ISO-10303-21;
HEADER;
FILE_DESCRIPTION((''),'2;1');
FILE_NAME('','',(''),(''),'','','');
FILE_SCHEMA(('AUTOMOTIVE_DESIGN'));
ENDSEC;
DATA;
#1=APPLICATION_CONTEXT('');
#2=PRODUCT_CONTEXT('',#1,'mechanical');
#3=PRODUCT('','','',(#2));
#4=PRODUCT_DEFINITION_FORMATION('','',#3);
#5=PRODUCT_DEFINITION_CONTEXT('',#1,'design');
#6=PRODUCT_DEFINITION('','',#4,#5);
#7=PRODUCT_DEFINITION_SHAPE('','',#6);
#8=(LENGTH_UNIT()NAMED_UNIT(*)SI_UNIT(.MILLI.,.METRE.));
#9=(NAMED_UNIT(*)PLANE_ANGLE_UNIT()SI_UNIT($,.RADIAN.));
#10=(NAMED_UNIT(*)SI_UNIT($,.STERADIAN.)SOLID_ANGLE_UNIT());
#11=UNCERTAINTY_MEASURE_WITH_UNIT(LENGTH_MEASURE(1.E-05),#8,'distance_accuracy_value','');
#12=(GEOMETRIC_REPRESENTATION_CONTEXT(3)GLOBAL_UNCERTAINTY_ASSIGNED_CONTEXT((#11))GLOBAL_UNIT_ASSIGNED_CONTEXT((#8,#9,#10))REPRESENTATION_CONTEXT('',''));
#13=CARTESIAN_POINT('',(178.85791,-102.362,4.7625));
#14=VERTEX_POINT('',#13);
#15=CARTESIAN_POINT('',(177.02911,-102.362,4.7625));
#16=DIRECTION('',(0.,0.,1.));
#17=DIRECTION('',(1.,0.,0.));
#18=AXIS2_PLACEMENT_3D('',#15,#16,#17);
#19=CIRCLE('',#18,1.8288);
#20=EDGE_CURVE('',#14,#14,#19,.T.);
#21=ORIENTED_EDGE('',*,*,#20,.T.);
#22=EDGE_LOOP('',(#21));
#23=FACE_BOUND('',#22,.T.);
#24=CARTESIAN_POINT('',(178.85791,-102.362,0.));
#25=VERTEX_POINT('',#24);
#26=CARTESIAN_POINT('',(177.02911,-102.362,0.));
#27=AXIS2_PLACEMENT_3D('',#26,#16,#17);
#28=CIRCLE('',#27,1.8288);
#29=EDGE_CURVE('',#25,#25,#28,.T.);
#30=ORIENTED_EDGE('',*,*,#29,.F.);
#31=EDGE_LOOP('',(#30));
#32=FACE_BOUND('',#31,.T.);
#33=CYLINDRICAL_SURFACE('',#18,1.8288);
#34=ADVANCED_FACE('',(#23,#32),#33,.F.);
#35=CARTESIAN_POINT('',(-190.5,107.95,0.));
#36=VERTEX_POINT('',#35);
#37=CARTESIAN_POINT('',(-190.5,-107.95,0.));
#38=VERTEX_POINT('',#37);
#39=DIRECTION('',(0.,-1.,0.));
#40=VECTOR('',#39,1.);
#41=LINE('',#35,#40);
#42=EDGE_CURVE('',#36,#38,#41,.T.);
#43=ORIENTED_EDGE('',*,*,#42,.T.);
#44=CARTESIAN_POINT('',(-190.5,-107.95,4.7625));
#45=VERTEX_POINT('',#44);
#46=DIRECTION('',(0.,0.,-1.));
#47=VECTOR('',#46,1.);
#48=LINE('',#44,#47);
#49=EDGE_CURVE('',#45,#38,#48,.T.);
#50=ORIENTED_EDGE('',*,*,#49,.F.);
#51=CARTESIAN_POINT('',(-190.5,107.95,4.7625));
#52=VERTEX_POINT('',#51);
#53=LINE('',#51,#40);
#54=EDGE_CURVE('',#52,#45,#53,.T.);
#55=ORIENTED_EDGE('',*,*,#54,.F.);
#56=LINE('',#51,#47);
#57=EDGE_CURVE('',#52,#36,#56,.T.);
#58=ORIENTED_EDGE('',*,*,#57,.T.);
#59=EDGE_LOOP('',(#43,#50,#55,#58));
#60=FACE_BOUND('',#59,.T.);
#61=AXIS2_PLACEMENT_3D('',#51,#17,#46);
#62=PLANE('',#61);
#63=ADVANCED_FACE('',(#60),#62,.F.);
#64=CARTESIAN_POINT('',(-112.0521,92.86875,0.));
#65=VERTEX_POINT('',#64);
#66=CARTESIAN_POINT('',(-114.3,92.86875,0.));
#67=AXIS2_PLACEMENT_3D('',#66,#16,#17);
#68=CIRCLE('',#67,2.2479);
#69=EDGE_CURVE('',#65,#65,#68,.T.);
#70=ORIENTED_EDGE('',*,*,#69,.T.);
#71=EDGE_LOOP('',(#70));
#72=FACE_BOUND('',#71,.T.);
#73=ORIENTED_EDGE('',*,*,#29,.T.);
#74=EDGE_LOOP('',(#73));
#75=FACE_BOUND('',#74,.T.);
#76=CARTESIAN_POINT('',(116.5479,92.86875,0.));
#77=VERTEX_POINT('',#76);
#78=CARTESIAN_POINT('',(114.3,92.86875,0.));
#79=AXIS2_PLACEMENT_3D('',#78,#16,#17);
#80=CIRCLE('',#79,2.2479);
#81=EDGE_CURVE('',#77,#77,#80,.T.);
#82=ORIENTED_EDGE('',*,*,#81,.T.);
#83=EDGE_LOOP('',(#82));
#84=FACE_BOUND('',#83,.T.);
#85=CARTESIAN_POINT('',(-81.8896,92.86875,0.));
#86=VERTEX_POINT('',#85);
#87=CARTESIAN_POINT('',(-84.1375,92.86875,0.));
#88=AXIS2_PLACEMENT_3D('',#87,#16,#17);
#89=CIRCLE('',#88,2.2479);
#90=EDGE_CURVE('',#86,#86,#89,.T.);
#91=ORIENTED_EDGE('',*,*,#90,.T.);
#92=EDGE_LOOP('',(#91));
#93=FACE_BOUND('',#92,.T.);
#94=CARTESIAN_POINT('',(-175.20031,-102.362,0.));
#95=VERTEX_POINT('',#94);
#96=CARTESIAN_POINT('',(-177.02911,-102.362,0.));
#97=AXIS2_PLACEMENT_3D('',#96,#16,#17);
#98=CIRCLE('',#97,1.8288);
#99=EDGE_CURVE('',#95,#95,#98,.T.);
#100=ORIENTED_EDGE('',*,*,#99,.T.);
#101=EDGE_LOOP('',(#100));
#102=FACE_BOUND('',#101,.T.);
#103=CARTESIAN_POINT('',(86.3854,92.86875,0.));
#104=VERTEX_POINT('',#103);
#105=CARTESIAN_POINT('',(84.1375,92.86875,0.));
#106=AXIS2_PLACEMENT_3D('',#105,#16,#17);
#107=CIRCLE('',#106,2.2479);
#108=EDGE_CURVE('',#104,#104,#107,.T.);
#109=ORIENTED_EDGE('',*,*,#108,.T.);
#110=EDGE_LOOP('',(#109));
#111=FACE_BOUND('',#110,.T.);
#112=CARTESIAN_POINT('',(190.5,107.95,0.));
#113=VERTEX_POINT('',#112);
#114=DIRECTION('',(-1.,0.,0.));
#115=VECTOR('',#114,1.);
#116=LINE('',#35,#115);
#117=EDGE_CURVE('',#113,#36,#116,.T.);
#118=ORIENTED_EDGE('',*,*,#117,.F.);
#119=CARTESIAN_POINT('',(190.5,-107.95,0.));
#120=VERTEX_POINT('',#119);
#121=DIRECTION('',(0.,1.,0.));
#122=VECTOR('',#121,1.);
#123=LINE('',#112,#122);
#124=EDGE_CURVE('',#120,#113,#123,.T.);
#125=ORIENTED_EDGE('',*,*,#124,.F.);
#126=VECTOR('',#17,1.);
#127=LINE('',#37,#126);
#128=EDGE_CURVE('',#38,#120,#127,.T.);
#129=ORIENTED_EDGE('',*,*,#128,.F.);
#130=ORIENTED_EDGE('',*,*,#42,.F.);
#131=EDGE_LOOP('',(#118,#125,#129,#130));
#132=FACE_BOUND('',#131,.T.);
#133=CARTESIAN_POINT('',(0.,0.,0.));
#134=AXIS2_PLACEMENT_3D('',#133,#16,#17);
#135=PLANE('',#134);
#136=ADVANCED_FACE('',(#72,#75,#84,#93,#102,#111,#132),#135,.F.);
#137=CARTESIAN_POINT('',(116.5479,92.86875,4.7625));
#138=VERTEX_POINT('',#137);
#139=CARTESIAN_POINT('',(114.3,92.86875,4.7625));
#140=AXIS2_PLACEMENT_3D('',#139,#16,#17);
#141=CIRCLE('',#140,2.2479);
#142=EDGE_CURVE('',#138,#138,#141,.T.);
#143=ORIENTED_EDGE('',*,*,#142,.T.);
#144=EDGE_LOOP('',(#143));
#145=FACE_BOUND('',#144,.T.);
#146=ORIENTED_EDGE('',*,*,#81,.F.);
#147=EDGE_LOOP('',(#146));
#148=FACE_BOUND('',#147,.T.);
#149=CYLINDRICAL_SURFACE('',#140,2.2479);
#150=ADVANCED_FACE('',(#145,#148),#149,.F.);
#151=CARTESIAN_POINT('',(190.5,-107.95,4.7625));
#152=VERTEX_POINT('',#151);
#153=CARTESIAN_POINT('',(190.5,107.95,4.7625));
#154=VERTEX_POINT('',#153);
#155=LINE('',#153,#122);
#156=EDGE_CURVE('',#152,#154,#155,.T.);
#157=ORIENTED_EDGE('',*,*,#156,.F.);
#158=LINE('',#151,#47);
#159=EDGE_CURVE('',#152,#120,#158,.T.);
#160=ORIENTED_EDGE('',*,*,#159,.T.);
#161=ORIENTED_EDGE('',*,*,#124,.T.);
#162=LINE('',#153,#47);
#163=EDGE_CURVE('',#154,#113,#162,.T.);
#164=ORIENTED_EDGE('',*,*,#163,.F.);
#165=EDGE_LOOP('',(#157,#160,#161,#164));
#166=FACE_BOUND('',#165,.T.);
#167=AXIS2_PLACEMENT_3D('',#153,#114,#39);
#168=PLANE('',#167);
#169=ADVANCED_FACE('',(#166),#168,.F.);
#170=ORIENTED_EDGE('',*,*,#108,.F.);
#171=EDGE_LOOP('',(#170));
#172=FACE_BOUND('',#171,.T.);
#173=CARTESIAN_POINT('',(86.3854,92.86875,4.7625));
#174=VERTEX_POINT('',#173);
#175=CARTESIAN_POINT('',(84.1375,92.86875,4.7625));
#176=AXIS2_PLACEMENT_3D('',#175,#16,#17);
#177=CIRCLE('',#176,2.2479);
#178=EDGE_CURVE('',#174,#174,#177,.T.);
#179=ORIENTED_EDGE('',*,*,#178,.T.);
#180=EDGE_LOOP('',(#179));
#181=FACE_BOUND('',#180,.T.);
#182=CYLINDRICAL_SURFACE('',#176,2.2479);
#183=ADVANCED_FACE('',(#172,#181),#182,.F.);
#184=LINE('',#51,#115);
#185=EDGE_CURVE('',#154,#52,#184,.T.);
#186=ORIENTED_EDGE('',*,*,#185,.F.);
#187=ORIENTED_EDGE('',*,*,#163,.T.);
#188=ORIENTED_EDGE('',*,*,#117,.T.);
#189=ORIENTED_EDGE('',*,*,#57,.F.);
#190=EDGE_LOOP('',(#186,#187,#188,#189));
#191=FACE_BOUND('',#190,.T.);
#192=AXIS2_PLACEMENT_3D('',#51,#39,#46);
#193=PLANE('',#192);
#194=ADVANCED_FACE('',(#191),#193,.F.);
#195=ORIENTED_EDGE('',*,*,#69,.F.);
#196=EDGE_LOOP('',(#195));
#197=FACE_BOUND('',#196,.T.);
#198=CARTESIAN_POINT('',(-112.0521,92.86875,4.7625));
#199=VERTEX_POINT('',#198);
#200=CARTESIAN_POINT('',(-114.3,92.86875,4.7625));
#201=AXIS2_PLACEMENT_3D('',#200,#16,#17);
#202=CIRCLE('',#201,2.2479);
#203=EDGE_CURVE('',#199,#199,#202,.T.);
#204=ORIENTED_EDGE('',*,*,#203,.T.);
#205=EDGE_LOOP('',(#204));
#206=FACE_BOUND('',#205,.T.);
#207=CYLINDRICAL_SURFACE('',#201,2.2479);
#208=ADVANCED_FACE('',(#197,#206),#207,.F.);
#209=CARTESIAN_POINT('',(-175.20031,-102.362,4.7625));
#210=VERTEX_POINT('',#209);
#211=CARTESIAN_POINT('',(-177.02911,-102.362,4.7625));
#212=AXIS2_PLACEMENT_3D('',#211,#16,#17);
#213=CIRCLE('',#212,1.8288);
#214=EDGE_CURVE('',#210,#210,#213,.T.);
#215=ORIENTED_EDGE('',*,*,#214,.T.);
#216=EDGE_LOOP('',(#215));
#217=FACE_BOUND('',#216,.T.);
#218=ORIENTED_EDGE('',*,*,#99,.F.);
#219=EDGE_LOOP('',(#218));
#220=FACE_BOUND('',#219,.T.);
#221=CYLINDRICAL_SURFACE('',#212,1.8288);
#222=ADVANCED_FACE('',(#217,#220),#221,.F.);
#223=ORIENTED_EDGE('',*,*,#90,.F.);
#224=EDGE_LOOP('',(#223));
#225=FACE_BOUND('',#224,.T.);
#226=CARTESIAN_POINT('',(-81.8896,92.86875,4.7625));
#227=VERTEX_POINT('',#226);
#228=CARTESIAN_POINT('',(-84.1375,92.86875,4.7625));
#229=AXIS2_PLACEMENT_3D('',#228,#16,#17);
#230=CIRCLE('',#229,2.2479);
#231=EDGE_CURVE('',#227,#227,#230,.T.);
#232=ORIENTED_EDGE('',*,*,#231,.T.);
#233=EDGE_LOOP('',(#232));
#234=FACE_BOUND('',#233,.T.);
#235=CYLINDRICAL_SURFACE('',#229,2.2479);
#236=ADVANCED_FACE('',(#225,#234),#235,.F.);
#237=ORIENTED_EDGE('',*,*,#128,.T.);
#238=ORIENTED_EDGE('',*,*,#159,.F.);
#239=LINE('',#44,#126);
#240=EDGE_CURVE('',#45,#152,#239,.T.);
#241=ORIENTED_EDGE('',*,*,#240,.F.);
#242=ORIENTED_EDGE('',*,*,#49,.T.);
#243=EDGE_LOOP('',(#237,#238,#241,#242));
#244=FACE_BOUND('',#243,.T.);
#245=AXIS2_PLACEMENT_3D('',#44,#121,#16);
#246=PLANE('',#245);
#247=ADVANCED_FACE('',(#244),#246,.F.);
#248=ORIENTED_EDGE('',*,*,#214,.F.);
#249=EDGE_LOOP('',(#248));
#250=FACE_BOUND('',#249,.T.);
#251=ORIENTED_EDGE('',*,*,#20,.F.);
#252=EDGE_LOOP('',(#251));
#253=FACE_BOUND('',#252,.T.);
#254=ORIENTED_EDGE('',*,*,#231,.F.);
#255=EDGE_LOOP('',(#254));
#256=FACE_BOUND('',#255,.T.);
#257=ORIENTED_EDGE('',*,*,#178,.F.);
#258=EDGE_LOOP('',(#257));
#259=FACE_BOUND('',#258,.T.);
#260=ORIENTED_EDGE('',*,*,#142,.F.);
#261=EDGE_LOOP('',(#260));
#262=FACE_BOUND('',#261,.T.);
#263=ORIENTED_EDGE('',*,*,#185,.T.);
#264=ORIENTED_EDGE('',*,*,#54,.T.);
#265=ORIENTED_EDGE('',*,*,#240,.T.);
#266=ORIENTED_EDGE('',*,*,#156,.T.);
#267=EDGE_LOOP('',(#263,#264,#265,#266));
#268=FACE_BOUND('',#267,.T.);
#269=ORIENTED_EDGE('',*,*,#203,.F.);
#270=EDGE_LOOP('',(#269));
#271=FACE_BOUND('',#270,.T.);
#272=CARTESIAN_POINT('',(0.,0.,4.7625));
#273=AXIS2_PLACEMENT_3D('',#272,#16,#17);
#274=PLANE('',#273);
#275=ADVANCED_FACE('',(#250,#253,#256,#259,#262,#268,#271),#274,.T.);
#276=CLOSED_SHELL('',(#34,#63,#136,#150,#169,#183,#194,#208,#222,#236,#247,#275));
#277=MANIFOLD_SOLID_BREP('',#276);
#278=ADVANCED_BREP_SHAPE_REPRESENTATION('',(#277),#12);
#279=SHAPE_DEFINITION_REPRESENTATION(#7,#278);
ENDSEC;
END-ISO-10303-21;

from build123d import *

# Parameters (mm, degrees)
SKETCH1_W                 = 381
SKETCH1_H                 = 215.9
BOSS_EXTRUDE1_DEPTH       = 4.7625
F_8_CLEARANCE_HOLE1_D     = 4.4958
F_8_CLEARANCE_HOLE1_DEPTH = 74.422
F_8_CLEARANCE_HOLE1_TIP   = 1.350674586
F_6_CLEARANCE_HOLE1_D     = 3.6576
F_6_CLEARANCE_HOLE1_DEPTH = 74.422
F_6_CLEARANCE_HOLE1_TIP   = 1.0988539


with BuildPart() as part:
    # Sketch1 → Boss-Extrude1 (new body)
    with BuildSketch(Plane.XY):
        Rectangle(SKETCH1_W, SKETCH1_H)
    extrude(amount=BOSS_EXTRUDE1_DEPTH)

    # #8 Clearance Hole1
    with Locations(Plane.XY.offset(4.7625)):
        with Locations((-114.3, 92.86875), (-84.1375, 92.86875), (84.1375, 92.86875), (114.3, 92.86875)):
            Hole(F_8_CLEARANCE_HOLE1_D / 2, depth=F_8_CLEARANCE_HOLE1_DEPTH)
            with Locations((0, 0, -(F_8_CLEARANCE_HOLE1_DEPTH + F_8_CLEARANCE_HOLE1_TIP / 2))):  # 118° drill point
                Cone(0, F_8_CLEARANCE_HOLE1_D / 2, F_8_CLEARANCE_HOLE1_TIP, mode=Mode.SUBTRACT)

    # #6 Clearance Hole1
    with Locations(Plane.XY.offset(4.7625)):
        with Locations((-177.02911, -102.362), (177.02911, -102.362)):
            Hole(F_6_CLEARANCE_HOLE1_D / 2, depth=F_6_CLEARANCE_HOLE1_DEPTH)
            with Locations((0, 0, -(F_6_CLEARANCE_HOLE1_DEPTH + F_6_CLEARANCE_HOLE1_TIP / 2))):  # 118° drill point
                Cone(0, F_6_CLEARANCE_HOLE1_D / 2, F_6_CLEARANCE_HOLE1_TIP, mode=Mode.SUBTRACT)


solid = part.part
